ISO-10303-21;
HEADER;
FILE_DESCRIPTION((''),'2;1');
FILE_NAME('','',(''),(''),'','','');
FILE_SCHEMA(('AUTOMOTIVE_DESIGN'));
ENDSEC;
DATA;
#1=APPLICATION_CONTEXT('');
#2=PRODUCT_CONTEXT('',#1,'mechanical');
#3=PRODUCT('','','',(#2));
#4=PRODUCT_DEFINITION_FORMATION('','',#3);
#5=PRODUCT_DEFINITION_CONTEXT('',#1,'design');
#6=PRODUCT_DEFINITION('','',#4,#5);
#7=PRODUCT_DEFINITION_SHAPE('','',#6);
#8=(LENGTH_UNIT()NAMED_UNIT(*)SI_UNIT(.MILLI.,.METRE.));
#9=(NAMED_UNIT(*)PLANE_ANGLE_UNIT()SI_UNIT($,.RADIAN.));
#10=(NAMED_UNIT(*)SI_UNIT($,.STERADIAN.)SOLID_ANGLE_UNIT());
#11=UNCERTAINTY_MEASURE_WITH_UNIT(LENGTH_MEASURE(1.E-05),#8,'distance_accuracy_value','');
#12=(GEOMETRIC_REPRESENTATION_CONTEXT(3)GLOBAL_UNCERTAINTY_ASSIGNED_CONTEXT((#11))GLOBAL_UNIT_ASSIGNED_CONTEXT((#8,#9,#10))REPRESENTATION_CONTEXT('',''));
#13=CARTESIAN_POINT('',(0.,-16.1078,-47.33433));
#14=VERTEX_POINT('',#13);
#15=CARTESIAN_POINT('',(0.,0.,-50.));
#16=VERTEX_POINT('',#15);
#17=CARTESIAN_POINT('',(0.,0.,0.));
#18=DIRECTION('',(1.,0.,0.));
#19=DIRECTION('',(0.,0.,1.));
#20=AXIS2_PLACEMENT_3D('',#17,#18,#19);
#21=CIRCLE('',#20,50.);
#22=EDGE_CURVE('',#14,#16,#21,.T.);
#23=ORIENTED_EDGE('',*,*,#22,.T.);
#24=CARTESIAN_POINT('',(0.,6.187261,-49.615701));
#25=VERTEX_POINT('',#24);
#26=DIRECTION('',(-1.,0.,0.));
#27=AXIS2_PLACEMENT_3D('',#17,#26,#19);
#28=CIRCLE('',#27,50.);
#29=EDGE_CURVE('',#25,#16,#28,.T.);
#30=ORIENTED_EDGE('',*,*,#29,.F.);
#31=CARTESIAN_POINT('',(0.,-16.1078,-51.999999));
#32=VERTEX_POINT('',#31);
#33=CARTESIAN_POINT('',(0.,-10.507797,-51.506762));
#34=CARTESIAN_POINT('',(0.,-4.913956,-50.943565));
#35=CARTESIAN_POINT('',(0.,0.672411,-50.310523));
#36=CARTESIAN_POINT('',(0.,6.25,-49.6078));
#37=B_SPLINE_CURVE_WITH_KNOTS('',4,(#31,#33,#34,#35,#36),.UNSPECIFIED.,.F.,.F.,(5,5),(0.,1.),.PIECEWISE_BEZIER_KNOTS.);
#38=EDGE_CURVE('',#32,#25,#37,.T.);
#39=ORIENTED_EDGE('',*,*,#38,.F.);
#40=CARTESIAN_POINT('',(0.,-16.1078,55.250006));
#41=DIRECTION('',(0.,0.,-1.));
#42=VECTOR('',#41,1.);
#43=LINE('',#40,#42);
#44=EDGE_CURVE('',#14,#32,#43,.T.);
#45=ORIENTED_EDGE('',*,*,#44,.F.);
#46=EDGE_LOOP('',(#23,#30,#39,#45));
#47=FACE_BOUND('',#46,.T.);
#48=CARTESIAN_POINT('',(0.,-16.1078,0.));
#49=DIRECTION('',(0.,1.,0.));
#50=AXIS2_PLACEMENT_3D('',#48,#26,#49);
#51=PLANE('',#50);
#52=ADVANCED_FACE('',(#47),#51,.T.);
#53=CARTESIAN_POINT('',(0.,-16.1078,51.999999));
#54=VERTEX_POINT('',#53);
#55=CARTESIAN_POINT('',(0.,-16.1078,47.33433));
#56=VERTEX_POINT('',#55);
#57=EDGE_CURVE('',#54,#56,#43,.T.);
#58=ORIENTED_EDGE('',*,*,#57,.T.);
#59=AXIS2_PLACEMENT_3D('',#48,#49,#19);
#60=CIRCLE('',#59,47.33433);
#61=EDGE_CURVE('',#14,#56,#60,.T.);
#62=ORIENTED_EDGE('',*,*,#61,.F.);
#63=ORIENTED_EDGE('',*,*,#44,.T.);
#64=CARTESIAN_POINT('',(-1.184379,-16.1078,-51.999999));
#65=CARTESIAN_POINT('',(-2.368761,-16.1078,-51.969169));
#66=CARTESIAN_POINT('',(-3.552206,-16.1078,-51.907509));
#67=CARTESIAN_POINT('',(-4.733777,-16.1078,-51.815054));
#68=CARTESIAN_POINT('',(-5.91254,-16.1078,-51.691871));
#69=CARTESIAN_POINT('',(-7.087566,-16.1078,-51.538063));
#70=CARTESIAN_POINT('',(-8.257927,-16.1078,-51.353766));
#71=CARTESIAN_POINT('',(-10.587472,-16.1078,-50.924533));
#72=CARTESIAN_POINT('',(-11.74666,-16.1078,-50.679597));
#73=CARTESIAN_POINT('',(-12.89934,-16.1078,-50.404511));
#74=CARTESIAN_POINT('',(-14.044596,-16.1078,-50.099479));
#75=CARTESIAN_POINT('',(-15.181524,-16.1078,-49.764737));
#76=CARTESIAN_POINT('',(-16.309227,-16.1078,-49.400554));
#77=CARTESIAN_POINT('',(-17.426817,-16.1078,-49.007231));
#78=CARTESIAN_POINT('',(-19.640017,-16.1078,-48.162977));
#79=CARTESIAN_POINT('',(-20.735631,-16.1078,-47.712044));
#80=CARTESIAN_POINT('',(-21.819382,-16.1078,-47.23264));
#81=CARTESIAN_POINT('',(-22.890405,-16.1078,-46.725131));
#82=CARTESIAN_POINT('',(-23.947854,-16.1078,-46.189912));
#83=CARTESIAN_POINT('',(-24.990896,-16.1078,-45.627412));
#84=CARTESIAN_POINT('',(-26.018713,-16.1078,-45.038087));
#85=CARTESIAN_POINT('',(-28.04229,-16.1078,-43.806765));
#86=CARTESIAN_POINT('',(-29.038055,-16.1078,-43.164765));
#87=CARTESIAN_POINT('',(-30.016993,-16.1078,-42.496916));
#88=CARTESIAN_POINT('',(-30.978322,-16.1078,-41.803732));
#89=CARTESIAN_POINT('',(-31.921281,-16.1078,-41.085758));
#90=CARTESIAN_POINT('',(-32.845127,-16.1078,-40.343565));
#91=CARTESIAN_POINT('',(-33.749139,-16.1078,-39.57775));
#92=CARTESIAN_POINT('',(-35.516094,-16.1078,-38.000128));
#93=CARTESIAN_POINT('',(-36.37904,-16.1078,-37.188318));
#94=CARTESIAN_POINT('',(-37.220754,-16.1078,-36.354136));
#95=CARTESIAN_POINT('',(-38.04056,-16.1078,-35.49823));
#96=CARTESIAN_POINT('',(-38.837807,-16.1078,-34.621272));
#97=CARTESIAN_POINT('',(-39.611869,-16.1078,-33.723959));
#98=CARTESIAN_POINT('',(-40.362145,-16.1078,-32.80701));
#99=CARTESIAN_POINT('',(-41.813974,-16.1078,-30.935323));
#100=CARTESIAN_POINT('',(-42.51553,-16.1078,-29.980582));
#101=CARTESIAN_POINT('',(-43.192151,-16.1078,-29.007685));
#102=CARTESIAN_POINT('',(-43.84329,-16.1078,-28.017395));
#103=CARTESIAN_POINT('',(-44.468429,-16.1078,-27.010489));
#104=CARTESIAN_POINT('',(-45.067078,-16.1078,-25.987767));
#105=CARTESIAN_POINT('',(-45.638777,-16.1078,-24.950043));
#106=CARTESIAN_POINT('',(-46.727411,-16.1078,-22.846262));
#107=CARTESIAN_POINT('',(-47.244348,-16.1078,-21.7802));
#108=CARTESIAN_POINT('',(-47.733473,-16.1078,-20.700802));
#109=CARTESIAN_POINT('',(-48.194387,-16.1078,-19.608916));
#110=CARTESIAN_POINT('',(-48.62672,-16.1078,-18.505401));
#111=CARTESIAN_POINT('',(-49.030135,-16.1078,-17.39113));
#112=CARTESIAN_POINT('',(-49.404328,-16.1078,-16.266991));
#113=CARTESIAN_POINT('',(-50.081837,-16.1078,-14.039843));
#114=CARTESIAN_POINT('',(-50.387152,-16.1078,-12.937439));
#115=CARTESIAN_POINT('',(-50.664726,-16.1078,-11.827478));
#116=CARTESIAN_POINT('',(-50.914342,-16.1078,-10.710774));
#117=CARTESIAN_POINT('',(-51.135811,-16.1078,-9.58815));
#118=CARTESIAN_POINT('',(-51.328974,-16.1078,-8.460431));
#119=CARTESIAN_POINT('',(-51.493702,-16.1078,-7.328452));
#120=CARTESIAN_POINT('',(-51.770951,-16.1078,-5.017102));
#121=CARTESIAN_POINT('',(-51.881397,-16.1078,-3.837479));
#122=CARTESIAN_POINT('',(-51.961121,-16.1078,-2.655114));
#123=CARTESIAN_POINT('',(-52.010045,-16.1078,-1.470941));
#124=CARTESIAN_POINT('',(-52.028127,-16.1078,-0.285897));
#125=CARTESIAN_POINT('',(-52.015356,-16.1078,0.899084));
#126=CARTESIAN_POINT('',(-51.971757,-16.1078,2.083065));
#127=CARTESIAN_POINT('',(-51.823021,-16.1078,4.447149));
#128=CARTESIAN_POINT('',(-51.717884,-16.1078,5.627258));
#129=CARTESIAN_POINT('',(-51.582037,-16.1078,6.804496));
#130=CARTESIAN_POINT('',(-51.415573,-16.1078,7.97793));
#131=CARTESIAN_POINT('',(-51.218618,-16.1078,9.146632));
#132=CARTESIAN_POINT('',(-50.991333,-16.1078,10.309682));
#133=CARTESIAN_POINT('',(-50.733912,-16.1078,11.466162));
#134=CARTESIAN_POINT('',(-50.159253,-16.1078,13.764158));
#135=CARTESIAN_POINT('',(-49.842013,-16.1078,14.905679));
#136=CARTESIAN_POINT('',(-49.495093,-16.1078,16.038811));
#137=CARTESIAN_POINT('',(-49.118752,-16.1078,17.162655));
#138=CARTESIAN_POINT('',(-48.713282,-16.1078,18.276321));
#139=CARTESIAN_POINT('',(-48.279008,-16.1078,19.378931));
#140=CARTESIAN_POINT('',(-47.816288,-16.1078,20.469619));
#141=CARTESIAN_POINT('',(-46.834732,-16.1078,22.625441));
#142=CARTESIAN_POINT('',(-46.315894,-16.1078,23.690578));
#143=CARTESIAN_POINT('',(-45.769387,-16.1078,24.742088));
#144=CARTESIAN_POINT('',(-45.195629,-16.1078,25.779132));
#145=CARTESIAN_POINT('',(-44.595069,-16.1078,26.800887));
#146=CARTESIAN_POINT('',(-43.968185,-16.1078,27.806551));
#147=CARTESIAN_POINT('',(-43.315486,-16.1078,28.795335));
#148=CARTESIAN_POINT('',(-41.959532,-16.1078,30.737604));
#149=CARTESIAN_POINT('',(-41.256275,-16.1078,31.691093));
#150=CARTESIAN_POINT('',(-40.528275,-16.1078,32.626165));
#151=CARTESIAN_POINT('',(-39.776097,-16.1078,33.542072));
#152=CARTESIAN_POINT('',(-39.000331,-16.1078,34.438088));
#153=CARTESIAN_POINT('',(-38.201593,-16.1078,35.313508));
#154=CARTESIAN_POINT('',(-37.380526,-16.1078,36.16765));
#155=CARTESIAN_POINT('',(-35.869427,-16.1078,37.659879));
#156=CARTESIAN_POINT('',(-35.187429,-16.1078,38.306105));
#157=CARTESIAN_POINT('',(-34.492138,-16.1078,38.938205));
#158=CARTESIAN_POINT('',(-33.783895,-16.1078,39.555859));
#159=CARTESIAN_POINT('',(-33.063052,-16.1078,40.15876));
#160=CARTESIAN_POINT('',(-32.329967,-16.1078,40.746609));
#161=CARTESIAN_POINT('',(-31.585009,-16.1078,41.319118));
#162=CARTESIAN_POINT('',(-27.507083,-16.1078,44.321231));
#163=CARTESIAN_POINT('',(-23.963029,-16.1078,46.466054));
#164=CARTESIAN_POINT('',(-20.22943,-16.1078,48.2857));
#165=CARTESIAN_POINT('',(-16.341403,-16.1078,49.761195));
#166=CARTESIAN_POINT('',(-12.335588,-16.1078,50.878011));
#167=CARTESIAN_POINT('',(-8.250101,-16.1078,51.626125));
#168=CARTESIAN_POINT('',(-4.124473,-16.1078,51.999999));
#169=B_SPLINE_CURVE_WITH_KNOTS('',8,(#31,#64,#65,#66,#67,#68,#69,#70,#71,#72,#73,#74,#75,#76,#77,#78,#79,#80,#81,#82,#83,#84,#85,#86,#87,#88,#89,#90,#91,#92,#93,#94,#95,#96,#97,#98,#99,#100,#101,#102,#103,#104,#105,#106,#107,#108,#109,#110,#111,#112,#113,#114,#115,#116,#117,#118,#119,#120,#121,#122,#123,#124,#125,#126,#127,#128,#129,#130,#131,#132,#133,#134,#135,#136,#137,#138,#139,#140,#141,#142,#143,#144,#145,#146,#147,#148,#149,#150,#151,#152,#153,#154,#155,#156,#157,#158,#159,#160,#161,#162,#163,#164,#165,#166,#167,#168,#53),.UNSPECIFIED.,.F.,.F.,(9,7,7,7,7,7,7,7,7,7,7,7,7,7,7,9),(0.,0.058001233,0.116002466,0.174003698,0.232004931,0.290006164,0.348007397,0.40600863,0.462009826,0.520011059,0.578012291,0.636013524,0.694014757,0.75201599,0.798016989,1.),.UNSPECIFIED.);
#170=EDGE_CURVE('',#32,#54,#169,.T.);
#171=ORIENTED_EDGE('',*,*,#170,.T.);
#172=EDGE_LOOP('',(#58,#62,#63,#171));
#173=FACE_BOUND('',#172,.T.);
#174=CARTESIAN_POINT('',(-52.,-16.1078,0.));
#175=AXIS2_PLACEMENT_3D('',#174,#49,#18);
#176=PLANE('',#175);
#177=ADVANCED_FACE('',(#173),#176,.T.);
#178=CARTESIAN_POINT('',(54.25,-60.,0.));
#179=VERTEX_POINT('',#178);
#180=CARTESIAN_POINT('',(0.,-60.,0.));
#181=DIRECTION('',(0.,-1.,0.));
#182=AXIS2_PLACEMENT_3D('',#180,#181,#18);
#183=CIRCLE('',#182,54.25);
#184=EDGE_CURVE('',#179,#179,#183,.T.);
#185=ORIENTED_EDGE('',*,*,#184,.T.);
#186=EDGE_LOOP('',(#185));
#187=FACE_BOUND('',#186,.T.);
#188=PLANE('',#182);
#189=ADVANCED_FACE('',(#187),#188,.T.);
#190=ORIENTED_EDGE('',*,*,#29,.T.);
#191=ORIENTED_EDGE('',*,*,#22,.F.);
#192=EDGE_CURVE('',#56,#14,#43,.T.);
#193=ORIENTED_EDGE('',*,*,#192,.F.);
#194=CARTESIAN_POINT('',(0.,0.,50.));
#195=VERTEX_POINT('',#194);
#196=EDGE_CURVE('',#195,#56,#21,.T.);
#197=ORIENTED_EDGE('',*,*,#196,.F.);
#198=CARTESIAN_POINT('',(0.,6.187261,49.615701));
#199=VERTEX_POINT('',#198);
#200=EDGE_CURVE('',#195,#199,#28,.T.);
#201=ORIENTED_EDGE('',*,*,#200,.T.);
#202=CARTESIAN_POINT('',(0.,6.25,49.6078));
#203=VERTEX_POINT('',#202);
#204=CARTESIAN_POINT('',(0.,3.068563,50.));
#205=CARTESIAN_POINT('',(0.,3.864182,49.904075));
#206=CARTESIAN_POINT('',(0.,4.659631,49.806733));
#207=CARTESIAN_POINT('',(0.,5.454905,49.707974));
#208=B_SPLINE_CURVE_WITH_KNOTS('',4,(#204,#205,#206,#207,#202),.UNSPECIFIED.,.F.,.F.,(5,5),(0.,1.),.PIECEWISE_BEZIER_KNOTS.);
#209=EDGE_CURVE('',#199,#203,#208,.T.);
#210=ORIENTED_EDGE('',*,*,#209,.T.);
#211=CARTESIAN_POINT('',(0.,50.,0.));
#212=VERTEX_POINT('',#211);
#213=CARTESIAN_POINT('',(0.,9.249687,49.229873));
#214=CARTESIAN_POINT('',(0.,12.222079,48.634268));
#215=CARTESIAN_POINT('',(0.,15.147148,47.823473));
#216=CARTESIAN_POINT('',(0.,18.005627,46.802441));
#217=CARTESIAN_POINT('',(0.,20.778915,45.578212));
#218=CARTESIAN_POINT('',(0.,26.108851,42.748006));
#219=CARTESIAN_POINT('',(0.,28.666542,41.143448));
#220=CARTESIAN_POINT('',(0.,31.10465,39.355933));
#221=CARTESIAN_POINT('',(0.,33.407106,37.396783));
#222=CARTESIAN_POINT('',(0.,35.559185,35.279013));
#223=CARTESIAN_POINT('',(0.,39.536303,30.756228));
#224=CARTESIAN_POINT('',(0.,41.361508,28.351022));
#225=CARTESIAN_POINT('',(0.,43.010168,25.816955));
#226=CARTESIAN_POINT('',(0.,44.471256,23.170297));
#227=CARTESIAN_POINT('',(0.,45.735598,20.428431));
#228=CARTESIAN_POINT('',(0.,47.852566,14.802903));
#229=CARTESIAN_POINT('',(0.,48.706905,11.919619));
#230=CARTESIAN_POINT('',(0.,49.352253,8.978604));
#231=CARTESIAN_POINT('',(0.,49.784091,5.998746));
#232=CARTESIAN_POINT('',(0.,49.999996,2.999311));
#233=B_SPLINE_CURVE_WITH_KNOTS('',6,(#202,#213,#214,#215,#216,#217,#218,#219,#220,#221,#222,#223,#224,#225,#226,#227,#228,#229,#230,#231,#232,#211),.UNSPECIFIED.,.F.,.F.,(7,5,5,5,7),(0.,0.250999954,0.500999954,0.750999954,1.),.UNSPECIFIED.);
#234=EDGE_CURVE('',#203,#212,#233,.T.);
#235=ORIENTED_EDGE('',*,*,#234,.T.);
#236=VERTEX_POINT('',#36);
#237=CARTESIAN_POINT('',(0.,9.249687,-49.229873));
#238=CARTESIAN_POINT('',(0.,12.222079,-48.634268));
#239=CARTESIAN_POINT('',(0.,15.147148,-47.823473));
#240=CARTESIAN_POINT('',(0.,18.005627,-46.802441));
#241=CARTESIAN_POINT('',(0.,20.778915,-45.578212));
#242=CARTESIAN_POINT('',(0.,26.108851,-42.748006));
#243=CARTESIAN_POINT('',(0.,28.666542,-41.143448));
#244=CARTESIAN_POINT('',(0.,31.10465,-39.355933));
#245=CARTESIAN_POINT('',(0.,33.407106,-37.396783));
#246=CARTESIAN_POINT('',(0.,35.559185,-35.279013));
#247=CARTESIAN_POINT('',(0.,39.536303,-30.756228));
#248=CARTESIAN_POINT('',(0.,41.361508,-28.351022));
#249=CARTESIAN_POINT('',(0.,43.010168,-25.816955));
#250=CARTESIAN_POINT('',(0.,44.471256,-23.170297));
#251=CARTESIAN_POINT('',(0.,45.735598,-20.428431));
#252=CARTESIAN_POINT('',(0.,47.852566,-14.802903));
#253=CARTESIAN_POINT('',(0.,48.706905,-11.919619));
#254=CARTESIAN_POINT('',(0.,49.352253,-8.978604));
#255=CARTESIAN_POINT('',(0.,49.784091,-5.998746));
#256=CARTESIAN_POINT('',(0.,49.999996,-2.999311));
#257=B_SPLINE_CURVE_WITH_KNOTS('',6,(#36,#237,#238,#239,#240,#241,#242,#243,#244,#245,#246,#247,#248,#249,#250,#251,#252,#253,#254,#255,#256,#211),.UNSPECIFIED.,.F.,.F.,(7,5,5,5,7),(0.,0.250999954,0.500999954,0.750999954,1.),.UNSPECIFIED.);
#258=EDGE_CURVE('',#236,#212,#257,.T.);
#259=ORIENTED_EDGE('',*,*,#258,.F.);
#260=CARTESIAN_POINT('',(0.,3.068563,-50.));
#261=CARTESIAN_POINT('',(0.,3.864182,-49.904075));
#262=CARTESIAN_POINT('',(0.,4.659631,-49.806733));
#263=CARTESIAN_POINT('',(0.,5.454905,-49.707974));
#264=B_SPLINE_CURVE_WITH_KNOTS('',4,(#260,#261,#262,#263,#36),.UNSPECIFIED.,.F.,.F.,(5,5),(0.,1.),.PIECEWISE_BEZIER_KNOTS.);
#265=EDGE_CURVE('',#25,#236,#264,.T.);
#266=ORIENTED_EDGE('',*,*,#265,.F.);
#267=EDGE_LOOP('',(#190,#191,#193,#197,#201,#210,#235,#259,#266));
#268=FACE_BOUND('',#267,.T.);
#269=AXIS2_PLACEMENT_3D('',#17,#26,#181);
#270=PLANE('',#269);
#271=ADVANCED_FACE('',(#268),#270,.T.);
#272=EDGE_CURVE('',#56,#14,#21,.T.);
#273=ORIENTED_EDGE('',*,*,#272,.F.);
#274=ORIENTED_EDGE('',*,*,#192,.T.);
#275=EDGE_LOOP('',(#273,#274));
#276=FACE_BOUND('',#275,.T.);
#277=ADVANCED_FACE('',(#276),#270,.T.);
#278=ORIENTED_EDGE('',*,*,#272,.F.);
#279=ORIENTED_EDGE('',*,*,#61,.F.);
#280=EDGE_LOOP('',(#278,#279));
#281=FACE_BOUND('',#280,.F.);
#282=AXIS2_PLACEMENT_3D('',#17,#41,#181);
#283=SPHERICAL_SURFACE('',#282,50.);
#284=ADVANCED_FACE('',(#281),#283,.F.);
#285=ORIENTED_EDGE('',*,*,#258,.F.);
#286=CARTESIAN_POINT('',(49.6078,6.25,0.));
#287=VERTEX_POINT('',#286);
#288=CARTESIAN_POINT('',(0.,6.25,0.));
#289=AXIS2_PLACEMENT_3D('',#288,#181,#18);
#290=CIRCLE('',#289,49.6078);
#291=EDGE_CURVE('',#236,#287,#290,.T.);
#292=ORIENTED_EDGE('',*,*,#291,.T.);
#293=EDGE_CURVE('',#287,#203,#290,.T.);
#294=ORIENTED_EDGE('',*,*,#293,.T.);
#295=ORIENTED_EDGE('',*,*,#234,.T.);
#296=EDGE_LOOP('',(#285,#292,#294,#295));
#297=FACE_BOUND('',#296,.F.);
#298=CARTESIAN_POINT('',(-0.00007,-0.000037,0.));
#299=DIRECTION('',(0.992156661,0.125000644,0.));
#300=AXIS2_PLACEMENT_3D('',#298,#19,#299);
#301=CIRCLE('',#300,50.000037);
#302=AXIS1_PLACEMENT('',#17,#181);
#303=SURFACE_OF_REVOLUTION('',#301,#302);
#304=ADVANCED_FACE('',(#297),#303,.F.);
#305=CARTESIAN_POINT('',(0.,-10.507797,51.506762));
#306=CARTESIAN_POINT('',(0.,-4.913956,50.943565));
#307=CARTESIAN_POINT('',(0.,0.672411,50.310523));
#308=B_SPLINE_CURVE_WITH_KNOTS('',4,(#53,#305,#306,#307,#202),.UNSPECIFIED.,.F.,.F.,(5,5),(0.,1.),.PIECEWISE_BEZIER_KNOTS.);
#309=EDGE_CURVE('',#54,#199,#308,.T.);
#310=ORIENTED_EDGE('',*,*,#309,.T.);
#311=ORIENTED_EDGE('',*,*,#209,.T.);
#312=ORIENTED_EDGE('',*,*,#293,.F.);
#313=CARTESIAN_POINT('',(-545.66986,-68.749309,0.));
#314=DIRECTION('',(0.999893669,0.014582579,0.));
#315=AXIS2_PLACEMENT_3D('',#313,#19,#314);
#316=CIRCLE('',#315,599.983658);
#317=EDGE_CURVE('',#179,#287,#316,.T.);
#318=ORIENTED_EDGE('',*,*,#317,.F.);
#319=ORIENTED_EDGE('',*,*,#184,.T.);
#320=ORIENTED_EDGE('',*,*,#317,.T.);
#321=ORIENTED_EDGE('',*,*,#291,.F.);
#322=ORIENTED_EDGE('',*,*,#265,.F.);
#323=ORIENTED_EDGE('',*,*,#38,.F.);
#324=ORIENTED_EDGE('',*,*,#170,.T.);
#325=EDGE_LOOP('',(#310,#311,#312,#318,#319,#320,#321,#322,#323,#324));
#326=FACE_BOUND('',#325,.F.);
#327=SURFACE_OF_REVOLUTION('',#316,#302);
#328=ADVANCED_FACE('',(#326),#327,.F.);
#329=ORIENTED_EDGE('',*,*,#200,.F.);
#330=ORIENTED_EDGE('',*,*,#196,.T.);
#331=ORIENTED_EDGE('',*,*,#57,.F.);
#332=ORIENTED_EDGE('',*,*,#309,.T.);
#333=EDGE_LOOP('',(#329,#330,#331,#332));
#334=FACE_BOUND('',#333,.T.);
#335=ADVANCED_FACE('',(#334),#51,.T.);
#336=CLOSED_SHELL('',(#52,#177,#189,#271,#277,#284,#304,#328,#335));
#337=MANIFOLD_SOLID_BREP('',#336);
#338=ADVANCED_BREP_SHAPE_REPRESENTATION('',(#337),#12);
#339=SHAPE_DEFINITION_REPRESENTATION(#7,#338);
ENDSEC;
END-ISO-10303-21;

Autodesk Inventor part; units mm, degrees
ref_plane "YZ Plane" through (0, 0, 0) normal (1, 0, 0) x (0, 1, 0)
ref_plane "XZ Plane" through (0, 0, 0) normal (0, 1, 0) x (-1, 0, 0)
ref_plane "XY Plane" through (0, 0, 0) normal (0, 0, 1) x (1, 0, 0)
sketch "Эскиз1" plane through (0, 0, 0) normal (0, 0, 1) x (1, 0, 0)
  arc A0 (49.6078, 6.25) -> (0, 50) centre (0, 0) ccw
  line L0 (0, 0) -> (0, -250)
  circle A1 centre (0, -250) radius 25
  arc A2 (23.7255, -257.8804) -> (54.25, -60) centre (-545.6862, -68.75) ccw construction
  line L1 (54.25, -60) -> (0, -60)
  arc A3 (0, -50) -> (49.6078, 6.25) centre (0, 0) ccw construction
  line L2 (0, 0) -> (0, 50)
  arc A4 (0, 50) -> (0, -50) centre (0, 0) ccw construction
  arc A5 (54.25, -60) -> (49.6078, 6.25) centre (-545.6862, -68.75) ccw
  dimension "d2" = 50
  dimension "d0" = 100
  dimension "d1" = 250
  dimension "d3" = 600
  dimension "d4" = 60
revolve "Вращение1" add sketch "Эскиз1" angle 360 about axis through (0, 0, 0) along (0, -1, 0) contours A5 L1 L0 L2 A0
sketch "Эскиз2" plane through (0, 0, 0) normal (1, 0, 0) x (0, 1, 0)
  line L0 (6.25, 49.6078) -> (6.25, -49.6078) construction
  arc A0 (0, -50) -> (0, 50) centre (0, 0) ccw construction
  line L1 (0, -50) -> (0, 50)
  arc A1 (0, 50) -> (0, -50) centre (0, 0) ccw
  dimension "d6" = 100
revolve "Вращение2" cut sketch "Эскиз2" angle 180 about axis through (0, 0, -50) along (0, 0, -1)
sketch "Эскиз3" plane through (0, 0, 0) normal (0, 0, 1) x (1, 0, 0)
  line L0 (0, 6.25) -> (0, 50) projected
  arc A0 (-49.6078, 6.25) -> (-54.25, -60) centre (545.6862, -68.75) ccw projected
  line L1 (0, 50) -> (-52, 50)
  line L2 (-52, 50) -> (-52, -16.1078)
  line L3 (-52, -16.1078) -> (0, -16.1078)
  line L4 (0, -16.1078) -> (0, 50)
  point P0 (0, 0)
  dimension "d11" = 52
extrude "Выдавливание1" cut sketch "Эскиз3" along normal through all both and the other way through all
properties part number "ч ASY human dummy 01"
